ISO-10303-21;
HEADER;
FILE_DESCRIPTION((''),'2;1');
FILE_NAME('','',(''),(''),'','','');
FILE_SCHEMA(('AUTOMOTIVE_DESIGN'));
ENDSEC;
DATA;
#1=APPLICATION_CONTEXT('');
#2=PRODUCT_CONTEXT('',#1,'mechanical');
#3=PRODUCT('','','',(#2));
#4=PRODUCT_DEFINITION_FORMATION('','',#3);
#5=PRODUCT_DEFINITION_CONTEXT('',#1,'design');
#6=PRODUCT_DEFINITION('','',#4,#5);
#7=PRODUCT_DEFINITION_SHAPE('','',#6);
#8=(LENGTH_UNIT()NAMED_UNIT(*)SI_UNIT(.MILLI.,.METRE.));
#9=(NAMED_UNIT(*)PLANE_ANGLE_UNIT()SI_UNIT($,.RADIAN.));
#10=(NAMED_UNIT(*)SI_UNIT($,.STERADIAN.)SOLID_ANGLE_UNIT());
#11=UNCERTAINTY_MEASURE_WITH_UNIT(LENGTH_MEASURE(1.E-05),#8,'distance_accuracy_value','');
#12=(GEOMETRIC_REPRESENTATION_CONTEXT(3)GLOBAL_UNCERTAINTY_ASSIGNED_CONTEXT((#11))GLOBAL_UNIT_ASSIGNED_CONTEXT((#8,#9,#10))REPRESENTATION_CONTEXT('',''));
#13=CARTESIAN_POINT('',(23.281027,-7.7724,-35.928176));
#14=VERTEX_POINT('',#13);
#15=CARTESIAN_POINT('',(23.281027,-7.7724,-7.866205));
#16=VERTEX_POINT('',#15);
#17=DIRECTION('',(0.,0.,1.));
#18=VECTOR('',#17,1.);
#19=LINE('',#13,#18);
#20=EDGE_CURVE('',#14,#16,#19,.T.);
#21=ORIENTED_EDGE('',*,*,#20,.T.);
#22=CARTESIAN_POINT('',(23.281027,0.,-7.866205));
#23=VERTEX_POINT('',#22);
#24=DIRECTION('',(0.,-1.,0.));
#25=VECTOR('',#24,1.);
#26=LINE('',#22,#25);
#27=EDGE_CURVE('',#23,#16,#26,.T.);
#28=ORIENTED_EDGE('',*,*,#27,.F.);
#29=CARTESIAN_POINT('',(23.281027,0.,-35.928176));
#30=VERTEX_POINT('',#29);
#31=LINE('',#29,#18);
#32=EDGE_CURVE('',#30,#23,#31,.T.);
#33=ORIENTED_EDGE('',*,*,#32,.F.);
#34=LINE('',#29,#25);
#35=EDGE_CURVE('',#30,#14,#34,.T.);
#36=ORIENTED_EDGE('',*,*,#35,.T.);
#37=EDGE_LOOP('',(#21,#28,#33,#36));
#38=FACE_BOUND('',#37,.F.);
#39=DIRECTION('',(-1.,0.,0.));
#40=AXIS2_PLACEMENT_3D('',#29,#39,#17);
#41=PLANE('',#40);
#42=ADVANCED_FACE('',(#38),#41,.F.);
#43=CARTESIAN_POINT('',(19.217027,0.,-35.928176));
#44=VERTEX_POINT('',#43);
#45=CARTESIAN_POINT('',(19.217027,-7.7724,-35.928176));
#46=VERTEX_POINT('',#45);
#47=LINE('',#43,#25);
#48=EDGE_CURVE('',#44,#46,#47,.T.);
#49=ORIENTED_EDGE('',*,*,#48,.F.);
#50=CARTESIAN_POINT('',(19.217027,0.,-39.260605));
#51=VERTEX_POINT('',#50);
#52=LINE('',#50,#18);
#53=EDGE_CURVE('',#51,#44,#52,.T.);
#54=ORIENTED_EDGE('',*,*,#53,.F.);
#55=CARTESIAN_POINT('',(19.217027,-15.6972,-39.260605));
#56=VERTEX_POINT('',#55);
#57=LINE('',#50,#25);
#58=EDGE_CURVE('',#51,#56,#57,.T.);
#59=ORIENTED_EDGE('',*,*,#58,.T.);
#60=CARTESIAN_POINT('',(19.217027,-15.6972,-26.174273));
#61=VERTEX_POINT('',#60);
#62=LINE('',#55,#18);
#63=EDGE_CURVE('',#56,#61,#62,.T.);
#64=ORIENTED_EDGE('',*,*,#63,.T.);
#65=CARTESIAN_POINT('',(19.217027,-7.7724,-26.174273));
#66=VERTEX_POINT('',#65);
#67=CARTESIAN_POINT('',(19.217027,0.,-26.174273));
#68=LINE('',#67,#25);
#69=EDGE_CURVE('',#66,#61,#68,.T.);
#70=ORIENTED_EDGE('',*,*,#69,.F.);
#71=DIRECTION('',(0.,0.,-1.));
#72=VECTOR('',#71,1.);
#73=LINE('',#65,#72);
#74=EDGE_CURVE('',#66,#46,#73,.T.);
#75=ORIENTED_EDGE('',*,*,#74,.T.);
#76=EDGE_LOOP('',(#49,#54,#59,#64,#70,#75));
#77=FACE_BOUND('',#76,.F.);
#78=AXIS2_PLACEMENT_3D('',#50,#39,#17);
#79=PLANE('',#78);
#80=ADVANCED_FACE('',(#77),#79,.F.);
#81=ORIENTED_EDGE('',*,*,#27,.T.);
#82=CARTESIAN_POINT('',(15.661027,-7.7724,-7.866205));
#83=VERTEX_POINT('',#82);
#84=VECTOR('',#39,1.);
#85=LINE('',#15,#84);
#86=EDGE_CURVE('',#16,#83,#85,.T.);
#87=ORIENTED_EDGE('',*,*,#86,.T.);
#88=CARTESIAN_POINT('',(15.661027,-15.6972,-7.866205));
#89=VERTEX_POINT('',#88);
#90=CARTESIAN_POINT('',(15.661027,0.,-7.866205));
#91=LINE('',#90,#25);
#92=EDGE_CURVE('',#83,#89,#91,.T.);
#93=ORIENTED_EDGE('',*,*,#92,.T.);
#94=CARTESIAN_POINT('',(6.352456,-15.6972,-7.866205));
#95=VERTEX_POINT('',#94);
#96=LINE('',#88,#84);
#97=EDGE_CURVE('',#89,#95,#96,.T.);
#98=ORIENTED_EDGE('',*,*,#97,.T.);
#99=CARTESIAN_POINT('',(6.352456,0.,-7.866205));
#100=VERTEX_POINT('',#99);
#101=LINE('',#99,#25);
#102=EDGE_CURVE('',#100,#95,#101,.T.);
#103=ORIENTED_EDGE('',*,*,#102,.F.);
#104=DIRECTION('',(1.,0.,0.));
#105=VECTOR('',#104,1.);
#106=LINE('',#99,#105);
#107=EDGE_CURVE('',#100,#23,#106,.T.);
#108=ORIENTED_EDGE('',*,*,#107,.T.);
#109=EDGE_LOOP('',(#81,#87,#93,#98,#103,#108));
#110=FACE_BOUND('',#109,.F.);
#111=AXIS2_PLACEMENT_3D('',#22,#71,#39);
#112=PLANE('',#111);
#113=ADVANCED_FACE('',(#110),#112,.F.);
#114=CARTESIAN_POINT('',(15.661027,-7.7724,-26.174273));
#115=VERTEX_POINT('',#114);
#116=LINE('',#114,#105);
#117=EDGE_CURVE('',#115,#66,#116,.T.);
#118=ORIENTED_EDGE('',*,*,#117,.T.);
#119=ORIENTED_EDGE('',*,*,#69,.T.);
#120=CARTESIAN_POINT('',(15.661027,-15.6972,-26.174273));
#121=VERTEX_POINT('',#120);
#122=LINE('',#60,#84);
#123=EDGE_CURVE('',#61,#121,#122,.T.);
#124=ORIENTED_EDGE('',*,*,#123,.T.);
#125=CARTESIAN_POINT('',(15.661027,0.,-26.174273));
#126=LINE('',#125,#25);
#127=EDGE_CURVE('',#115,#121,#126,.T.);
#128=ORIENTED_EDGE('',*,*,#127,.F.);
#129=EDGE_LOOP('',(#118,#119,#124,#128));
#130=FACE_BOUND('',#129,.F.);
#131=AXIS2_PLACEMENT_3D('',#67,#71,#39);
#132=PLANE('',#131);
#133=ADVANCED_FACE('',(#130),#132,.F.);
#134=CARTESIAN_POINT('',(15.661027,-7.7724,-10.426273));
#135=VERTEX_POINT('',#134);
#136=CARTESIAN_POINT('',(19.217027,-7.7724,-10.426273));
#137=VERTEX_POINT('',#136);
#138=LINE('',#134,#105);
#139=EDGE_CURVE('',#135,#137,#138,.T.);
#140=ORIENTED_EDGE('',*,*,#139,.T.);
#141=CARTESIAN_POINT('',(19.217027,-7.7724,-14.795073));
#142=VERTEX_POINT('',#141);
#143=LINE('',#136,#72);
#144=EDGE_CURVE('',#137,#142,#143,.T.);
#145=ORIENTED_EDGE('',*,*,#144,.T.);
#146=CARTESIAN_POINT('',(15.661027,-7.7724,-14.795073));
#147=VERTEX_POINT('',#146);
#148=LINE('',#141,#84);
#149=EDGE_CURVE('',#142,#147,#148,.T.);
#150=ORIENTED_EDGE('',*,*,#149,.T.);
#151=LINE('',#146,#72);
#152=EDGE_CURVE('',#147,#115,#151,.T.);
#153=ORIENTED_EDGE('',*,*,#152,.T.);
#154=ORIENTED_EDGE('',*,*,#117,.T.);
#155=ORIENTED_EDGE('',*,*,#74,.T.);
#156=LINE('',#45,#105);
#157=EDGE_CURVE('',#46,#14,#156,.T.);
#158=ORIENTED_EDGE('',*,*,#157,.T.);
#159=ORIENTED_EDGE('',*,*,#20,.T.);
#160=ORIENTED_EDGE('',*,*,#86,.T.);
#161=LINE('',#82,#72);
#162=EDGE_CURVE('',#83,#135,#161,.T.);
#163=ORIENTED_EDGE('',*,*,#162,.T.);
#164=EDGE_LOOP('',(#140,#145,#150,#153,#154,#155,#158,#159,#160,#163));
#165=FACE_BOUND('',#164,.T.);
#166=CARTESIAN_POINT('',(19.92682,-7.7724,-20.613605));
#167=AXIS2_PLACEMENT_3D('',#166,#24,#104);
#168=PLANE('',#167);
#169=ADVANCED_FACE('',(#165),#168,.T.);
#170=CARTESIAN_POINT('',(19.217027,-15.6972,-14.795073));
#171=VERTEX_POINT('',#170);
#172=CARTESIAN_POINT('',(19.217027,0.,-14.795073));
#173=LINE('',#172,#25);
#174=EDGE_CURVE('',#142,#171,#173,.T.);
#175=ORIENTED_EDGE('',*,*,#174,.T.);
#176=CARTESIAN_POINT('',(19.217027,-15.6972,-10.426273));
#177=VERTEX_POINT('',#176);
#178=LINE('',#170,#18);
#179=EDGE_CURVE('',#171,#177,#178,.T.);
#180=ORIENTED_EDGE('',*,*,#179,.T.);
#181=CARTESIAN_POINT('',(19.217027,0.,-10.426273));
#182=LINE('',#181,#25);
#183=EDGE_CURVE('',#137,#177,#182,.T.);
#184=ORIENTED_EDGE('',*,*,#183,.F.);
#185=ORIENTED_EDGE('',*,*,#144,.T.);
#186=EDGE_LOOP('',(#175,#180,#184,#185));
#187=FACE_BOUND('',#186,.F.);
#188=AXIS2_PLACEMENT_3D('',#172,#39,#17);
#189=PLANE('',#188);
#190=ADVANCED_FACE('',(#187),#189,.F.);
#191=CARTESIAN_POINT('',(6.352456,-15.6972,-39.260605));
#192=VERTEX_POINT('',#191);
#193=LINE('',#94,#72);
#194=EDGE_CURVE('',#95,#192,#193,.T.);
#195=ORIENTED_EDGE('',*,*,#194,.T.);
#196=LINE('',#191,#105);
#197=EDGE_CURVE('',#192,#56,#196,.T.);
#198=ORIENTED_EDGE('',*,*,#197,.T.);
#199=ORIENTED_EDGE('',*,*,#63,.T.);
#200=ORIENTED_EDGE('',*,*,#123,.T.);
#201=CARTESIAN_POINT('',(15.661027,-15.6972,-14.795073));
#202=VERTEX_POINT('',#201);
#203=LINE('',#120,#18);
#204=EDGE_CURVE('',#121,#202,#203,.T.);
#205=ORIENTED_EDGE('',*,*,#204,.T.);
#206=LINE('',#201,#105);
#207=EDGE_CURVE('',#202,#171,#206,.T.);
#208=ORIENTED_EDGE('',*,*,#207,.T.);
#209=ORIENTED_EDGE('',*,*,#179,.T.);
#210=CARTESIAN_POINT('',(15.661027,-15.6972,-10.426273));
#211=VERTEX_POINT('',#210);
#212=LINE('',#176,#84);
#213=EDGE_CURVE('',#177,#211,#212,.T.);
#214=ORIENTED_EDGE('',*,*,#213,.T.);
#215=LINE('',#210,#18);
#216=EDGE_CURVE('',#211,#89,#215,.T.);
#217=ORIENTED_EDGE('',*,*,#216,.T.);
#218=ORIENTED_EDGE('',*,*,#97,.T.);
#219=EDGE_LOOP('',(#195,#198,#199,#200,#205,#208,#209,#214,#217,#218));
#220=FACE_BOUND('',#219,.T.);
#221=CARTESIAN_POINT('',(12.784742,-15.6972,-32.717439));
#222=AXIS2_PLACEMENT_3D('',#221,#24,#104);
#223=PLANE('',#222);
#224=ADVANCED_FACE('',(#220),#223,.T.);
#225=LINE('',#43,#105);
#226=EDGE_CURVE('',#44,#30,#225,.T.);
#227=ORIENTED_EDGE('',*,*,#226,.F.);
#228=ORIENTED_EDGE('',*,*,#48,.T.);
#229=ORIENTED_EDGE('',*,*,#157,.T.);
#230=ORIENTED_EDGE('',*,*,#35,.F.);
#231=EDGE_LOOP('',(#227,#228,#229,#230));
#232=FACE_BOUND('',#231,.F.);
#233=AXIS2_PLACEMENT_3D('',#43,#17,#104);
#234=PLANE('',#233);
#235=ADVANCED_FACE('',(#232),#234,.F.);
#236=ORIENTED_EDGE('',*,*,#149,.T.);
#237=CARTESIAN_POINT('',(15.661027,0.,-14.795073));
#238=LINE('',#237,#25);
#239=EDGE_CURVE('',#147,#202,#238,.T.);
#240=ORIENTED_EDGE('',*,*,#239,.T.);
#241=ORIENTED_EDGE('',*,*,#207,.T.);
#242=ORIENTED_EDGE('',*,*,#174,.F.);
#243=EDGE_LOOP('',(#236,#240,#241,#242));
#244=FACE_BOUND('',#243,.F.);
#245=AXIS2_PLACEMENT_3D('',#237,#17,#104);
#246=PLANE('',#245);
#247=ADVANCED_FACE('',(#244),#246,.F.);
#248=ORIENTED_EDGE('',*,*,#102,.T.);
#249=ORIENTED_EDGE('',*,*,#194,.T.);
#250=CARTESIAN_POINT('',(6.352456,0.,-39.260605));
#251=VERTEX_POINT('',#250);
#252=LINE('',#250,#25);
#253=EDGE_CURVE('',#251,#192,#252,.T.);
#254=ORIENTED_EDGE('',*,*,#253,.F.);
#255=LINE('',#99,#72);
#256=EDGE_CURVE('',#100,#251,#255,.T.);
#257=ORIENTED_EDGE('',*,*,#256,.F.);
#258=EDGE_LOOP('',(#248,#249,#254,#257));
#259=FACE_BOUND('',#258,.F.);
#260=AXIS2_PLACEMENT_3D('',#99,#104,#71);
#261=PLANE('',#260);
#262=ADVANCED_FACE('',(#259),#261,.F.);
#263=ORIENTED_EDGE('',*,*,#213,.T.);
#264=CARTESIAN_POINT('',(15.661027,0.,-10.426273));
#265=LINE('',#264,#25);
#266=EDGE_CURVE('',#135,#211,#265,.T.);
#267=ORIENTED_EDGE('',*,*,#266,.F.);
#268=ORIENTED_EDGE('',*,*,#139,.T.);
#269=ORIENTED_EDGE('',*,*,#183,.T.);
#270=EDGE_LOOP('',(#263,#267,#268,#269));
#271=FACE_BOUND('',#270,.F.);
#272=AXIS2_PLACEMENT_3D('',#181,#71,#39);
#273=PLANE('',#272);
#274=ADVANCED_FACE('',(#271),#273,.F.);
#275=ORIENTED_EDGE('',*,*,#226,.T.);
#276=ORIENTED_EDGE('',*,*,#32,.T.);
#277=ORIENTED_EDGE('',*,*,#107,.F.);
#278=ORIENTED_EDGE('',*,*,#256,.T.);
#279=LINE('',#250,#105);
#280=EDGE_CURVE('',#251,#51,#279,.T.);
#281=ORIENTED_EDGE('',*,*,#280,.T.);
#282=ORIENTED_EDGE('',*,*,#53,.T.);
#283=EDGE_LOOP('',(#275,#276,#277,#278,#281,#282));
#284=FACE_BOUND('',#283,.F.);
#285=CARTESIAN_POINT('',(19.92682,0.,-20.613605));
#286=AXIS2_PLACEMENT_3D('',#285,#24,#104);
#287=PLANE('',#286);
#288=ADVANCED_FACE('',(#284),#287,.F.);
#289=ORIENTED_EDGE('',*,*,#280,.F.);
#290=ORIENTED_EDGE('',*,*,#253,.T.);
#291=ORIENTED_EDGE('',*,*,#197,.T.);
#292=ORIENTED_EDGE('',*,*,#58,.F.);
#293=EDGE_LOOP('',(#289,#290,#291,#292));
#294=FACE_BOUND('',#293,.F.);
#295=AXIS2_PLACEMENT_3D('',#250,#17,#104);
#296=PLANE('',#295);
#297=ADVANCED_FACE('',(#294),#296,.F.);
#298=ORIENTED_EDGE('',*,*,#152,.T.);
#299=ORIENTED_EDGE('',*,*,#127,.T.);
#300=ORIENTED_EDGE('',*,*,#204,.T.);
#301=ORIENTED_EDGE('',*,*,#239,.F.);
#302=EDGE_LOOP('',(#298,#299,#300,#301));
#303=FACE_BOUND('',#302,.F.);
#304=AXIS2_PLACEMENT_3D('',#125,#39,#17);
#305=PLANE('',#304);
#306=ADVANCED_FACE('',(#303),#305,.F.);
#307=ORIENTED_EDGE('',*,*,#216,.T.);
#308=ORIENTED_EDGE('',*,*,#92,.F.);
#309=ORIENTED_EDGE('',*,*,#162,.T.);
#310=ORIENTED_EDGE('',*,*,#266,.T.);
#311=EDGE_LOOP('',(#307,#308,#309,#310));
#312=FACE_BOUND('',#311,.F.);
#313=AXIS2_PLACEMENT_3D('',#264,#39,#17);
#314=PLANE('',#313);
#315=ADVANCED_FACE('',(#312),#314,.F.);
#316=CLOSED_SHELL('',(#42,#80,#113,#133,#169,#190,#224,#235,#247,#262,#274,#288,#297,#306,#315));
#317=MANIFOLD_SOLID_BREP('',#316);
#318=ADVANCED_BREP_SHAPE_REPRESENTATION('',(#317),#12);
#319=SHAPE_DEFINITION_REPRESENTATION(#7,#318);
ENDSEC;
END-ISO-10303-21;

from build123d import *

# Parameters (mm, degrees)
F1_DEPTH = 15.6972
F2_DEPTH = 7.7724


with BuildPart() as f1:
    # F0 (on Front) → F1 (new body)
    with BuildSketch(Plane.XZ):
        Polygon((6.352456, -39.260605), (19.217027, -39.260605), (19.217027, -35.928176), (19.217027, -26.174273), (15.661027, -26.174273), (6.352456, -26.174273), align=None)
        Polygon((6.352456, -7.866205), (6.352456, -26.174273), (15.661027, -26.174273), (15.661027, -14.795073), (19.217027, -14.795073), (19.217027, -10.426273), (15.661027, -10.426273), (15.661027, -7.866205), align=None)
    extrude(amount=F1_DEPTH)

    # F0 (on Front) → F2 (join)
    with BuildSketch(Plane.XZ):
        Polygon((19.217027, -26.174273), (19.217027, -35.928176), (23.281027, -35.928176), (23.281027, -7.866205), (15.661027, -7.866205), (15.661027, -10.426273), (19.217027, -10.426273), (19.217027, -14.795073), (15.661027, -14.795073), (15.661027, -26.174273), align=None)
    extrude(amount=F2_DEPTH)


solid = f1.part
